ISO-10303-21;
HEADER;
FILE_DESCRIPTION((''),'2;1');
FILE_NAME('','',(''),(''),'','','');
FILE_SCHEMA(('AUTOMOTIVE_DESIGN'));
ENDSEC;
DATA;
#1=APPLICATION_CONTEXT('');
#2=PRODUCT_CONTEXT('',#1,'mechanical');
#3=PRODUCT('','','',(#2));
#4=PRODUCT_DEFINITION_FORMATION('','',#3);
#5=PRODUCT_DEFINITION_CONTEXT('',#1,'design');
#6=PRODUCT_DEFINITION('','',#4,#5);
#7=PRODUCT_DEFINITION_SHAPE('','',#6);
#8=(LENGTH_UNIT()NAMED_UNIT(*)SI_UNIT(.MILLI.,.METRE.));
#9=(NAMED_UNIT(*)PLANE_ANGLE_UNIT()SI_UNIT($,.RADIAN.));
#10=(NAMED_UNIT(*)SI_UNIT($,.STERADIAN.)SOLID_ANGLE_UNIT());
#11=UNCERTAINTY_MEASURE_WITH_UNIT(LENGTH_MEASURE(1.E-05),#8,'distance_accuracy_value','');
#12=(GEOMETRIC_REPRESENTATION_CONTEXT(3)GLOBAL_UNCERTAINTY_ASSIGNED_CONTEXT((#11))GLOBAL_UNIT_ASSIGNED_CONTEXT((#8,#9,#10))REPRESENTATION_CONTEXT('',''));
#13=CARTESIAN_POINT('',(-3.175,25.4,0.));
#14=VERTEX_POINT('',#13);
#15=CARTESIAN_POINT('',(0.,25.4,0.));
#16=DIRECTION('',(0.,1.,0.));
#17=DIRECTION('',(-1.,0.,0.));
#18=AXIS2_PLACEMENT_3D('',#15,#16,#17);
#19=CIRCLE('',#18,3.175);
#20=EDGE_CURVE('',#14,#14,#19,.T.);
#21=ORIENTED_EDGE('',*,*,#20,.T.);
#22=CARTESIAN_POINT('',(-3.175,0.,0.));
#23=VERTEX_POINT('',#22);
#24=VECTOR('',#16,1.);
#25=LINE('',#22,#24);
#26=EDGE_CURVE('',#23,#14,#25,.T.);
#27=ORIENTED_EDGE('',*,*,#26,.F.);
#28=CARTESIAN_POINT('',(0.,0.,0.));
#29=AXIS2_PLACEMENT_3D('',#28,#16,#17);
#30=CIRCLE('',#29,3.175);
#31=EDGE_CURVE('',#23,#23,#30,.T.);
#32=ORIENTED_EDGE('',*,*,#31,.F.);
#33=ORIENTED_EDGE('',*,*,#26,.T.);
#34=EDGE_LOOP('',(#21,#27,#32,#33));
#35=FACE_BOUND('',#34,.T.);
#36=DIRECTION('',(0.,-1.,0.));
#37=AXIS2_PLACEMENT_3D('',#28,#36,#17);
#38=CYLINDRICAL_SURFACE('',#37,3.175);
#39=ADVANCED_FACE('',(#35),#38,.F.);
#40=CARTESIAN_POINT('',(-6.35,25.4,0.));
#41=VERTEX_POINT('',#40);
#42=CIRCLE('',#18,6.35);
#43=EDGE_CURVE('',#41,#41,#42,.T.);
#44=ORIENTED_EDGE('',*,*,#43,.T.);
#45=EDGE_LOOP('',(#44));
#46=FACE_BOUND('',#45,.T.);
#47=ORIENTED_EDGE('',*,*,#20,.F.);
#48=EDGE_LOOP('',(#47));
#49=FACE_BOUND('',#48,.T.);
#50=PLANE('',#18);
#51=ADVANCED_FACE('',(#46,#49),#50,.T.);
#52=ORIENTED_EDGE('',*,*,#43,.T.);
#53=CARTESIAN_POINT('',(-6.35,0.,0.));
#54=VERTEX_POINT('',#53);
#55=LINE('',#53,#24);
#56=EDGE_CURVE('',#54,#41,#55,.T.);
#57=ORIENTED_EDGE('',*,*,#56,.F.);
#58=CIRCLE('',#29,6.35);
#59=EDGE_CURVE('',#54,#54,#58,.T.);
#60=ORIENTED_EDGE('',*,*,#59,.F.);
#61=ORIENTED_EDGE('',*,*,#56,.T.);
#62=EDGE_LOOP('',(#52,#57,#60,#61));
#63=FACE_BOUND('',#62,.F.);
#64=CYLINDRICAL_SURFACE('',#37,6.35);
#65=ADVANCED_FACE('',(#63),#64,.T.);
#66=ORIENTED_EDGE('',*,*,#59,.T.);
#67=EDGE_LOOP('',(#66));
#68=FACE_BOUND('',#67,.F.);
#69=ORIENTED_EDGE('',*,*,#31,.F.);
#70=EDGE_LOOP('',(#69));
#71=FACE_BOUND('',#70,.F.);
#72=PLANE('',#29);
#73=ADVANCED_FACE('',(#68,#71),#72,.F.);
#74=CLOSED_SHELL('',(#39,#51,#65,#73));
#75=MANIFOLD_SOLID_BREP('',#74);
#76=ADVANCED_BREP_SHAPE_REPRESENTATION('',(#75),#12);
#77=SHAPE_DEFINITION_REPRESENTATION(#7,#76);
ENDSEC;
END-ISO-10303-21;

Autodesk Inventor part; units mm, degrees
ref_plane "YZ Plane" through (0, 0, 0) normal (1, 0, 0) x (0, 1, 0)
ref_plane "XZ Plane" through (0, 0, 0) normal (0, 1, 0) x (-1, 0, 0)
ref_plane "XY Plane" through (0, 0, 0) normal (0, 0, 1) x (1, 0, 0)
sketch "Sketch1" plane through (0, 0, 0) normal (0, 1, 0) x (-1, 0, 0)
  circle A0 centre (0, 0) radius 3.175
  circle A1 centre (0, 0) radius 6.35
  dimension "d0" = 6.35
  dimension "d1" = 12.7
extrude "Extrusion1" add sketch "Sketch1" along normal blind 25.4
properties part number "DriveMountStandoff"
